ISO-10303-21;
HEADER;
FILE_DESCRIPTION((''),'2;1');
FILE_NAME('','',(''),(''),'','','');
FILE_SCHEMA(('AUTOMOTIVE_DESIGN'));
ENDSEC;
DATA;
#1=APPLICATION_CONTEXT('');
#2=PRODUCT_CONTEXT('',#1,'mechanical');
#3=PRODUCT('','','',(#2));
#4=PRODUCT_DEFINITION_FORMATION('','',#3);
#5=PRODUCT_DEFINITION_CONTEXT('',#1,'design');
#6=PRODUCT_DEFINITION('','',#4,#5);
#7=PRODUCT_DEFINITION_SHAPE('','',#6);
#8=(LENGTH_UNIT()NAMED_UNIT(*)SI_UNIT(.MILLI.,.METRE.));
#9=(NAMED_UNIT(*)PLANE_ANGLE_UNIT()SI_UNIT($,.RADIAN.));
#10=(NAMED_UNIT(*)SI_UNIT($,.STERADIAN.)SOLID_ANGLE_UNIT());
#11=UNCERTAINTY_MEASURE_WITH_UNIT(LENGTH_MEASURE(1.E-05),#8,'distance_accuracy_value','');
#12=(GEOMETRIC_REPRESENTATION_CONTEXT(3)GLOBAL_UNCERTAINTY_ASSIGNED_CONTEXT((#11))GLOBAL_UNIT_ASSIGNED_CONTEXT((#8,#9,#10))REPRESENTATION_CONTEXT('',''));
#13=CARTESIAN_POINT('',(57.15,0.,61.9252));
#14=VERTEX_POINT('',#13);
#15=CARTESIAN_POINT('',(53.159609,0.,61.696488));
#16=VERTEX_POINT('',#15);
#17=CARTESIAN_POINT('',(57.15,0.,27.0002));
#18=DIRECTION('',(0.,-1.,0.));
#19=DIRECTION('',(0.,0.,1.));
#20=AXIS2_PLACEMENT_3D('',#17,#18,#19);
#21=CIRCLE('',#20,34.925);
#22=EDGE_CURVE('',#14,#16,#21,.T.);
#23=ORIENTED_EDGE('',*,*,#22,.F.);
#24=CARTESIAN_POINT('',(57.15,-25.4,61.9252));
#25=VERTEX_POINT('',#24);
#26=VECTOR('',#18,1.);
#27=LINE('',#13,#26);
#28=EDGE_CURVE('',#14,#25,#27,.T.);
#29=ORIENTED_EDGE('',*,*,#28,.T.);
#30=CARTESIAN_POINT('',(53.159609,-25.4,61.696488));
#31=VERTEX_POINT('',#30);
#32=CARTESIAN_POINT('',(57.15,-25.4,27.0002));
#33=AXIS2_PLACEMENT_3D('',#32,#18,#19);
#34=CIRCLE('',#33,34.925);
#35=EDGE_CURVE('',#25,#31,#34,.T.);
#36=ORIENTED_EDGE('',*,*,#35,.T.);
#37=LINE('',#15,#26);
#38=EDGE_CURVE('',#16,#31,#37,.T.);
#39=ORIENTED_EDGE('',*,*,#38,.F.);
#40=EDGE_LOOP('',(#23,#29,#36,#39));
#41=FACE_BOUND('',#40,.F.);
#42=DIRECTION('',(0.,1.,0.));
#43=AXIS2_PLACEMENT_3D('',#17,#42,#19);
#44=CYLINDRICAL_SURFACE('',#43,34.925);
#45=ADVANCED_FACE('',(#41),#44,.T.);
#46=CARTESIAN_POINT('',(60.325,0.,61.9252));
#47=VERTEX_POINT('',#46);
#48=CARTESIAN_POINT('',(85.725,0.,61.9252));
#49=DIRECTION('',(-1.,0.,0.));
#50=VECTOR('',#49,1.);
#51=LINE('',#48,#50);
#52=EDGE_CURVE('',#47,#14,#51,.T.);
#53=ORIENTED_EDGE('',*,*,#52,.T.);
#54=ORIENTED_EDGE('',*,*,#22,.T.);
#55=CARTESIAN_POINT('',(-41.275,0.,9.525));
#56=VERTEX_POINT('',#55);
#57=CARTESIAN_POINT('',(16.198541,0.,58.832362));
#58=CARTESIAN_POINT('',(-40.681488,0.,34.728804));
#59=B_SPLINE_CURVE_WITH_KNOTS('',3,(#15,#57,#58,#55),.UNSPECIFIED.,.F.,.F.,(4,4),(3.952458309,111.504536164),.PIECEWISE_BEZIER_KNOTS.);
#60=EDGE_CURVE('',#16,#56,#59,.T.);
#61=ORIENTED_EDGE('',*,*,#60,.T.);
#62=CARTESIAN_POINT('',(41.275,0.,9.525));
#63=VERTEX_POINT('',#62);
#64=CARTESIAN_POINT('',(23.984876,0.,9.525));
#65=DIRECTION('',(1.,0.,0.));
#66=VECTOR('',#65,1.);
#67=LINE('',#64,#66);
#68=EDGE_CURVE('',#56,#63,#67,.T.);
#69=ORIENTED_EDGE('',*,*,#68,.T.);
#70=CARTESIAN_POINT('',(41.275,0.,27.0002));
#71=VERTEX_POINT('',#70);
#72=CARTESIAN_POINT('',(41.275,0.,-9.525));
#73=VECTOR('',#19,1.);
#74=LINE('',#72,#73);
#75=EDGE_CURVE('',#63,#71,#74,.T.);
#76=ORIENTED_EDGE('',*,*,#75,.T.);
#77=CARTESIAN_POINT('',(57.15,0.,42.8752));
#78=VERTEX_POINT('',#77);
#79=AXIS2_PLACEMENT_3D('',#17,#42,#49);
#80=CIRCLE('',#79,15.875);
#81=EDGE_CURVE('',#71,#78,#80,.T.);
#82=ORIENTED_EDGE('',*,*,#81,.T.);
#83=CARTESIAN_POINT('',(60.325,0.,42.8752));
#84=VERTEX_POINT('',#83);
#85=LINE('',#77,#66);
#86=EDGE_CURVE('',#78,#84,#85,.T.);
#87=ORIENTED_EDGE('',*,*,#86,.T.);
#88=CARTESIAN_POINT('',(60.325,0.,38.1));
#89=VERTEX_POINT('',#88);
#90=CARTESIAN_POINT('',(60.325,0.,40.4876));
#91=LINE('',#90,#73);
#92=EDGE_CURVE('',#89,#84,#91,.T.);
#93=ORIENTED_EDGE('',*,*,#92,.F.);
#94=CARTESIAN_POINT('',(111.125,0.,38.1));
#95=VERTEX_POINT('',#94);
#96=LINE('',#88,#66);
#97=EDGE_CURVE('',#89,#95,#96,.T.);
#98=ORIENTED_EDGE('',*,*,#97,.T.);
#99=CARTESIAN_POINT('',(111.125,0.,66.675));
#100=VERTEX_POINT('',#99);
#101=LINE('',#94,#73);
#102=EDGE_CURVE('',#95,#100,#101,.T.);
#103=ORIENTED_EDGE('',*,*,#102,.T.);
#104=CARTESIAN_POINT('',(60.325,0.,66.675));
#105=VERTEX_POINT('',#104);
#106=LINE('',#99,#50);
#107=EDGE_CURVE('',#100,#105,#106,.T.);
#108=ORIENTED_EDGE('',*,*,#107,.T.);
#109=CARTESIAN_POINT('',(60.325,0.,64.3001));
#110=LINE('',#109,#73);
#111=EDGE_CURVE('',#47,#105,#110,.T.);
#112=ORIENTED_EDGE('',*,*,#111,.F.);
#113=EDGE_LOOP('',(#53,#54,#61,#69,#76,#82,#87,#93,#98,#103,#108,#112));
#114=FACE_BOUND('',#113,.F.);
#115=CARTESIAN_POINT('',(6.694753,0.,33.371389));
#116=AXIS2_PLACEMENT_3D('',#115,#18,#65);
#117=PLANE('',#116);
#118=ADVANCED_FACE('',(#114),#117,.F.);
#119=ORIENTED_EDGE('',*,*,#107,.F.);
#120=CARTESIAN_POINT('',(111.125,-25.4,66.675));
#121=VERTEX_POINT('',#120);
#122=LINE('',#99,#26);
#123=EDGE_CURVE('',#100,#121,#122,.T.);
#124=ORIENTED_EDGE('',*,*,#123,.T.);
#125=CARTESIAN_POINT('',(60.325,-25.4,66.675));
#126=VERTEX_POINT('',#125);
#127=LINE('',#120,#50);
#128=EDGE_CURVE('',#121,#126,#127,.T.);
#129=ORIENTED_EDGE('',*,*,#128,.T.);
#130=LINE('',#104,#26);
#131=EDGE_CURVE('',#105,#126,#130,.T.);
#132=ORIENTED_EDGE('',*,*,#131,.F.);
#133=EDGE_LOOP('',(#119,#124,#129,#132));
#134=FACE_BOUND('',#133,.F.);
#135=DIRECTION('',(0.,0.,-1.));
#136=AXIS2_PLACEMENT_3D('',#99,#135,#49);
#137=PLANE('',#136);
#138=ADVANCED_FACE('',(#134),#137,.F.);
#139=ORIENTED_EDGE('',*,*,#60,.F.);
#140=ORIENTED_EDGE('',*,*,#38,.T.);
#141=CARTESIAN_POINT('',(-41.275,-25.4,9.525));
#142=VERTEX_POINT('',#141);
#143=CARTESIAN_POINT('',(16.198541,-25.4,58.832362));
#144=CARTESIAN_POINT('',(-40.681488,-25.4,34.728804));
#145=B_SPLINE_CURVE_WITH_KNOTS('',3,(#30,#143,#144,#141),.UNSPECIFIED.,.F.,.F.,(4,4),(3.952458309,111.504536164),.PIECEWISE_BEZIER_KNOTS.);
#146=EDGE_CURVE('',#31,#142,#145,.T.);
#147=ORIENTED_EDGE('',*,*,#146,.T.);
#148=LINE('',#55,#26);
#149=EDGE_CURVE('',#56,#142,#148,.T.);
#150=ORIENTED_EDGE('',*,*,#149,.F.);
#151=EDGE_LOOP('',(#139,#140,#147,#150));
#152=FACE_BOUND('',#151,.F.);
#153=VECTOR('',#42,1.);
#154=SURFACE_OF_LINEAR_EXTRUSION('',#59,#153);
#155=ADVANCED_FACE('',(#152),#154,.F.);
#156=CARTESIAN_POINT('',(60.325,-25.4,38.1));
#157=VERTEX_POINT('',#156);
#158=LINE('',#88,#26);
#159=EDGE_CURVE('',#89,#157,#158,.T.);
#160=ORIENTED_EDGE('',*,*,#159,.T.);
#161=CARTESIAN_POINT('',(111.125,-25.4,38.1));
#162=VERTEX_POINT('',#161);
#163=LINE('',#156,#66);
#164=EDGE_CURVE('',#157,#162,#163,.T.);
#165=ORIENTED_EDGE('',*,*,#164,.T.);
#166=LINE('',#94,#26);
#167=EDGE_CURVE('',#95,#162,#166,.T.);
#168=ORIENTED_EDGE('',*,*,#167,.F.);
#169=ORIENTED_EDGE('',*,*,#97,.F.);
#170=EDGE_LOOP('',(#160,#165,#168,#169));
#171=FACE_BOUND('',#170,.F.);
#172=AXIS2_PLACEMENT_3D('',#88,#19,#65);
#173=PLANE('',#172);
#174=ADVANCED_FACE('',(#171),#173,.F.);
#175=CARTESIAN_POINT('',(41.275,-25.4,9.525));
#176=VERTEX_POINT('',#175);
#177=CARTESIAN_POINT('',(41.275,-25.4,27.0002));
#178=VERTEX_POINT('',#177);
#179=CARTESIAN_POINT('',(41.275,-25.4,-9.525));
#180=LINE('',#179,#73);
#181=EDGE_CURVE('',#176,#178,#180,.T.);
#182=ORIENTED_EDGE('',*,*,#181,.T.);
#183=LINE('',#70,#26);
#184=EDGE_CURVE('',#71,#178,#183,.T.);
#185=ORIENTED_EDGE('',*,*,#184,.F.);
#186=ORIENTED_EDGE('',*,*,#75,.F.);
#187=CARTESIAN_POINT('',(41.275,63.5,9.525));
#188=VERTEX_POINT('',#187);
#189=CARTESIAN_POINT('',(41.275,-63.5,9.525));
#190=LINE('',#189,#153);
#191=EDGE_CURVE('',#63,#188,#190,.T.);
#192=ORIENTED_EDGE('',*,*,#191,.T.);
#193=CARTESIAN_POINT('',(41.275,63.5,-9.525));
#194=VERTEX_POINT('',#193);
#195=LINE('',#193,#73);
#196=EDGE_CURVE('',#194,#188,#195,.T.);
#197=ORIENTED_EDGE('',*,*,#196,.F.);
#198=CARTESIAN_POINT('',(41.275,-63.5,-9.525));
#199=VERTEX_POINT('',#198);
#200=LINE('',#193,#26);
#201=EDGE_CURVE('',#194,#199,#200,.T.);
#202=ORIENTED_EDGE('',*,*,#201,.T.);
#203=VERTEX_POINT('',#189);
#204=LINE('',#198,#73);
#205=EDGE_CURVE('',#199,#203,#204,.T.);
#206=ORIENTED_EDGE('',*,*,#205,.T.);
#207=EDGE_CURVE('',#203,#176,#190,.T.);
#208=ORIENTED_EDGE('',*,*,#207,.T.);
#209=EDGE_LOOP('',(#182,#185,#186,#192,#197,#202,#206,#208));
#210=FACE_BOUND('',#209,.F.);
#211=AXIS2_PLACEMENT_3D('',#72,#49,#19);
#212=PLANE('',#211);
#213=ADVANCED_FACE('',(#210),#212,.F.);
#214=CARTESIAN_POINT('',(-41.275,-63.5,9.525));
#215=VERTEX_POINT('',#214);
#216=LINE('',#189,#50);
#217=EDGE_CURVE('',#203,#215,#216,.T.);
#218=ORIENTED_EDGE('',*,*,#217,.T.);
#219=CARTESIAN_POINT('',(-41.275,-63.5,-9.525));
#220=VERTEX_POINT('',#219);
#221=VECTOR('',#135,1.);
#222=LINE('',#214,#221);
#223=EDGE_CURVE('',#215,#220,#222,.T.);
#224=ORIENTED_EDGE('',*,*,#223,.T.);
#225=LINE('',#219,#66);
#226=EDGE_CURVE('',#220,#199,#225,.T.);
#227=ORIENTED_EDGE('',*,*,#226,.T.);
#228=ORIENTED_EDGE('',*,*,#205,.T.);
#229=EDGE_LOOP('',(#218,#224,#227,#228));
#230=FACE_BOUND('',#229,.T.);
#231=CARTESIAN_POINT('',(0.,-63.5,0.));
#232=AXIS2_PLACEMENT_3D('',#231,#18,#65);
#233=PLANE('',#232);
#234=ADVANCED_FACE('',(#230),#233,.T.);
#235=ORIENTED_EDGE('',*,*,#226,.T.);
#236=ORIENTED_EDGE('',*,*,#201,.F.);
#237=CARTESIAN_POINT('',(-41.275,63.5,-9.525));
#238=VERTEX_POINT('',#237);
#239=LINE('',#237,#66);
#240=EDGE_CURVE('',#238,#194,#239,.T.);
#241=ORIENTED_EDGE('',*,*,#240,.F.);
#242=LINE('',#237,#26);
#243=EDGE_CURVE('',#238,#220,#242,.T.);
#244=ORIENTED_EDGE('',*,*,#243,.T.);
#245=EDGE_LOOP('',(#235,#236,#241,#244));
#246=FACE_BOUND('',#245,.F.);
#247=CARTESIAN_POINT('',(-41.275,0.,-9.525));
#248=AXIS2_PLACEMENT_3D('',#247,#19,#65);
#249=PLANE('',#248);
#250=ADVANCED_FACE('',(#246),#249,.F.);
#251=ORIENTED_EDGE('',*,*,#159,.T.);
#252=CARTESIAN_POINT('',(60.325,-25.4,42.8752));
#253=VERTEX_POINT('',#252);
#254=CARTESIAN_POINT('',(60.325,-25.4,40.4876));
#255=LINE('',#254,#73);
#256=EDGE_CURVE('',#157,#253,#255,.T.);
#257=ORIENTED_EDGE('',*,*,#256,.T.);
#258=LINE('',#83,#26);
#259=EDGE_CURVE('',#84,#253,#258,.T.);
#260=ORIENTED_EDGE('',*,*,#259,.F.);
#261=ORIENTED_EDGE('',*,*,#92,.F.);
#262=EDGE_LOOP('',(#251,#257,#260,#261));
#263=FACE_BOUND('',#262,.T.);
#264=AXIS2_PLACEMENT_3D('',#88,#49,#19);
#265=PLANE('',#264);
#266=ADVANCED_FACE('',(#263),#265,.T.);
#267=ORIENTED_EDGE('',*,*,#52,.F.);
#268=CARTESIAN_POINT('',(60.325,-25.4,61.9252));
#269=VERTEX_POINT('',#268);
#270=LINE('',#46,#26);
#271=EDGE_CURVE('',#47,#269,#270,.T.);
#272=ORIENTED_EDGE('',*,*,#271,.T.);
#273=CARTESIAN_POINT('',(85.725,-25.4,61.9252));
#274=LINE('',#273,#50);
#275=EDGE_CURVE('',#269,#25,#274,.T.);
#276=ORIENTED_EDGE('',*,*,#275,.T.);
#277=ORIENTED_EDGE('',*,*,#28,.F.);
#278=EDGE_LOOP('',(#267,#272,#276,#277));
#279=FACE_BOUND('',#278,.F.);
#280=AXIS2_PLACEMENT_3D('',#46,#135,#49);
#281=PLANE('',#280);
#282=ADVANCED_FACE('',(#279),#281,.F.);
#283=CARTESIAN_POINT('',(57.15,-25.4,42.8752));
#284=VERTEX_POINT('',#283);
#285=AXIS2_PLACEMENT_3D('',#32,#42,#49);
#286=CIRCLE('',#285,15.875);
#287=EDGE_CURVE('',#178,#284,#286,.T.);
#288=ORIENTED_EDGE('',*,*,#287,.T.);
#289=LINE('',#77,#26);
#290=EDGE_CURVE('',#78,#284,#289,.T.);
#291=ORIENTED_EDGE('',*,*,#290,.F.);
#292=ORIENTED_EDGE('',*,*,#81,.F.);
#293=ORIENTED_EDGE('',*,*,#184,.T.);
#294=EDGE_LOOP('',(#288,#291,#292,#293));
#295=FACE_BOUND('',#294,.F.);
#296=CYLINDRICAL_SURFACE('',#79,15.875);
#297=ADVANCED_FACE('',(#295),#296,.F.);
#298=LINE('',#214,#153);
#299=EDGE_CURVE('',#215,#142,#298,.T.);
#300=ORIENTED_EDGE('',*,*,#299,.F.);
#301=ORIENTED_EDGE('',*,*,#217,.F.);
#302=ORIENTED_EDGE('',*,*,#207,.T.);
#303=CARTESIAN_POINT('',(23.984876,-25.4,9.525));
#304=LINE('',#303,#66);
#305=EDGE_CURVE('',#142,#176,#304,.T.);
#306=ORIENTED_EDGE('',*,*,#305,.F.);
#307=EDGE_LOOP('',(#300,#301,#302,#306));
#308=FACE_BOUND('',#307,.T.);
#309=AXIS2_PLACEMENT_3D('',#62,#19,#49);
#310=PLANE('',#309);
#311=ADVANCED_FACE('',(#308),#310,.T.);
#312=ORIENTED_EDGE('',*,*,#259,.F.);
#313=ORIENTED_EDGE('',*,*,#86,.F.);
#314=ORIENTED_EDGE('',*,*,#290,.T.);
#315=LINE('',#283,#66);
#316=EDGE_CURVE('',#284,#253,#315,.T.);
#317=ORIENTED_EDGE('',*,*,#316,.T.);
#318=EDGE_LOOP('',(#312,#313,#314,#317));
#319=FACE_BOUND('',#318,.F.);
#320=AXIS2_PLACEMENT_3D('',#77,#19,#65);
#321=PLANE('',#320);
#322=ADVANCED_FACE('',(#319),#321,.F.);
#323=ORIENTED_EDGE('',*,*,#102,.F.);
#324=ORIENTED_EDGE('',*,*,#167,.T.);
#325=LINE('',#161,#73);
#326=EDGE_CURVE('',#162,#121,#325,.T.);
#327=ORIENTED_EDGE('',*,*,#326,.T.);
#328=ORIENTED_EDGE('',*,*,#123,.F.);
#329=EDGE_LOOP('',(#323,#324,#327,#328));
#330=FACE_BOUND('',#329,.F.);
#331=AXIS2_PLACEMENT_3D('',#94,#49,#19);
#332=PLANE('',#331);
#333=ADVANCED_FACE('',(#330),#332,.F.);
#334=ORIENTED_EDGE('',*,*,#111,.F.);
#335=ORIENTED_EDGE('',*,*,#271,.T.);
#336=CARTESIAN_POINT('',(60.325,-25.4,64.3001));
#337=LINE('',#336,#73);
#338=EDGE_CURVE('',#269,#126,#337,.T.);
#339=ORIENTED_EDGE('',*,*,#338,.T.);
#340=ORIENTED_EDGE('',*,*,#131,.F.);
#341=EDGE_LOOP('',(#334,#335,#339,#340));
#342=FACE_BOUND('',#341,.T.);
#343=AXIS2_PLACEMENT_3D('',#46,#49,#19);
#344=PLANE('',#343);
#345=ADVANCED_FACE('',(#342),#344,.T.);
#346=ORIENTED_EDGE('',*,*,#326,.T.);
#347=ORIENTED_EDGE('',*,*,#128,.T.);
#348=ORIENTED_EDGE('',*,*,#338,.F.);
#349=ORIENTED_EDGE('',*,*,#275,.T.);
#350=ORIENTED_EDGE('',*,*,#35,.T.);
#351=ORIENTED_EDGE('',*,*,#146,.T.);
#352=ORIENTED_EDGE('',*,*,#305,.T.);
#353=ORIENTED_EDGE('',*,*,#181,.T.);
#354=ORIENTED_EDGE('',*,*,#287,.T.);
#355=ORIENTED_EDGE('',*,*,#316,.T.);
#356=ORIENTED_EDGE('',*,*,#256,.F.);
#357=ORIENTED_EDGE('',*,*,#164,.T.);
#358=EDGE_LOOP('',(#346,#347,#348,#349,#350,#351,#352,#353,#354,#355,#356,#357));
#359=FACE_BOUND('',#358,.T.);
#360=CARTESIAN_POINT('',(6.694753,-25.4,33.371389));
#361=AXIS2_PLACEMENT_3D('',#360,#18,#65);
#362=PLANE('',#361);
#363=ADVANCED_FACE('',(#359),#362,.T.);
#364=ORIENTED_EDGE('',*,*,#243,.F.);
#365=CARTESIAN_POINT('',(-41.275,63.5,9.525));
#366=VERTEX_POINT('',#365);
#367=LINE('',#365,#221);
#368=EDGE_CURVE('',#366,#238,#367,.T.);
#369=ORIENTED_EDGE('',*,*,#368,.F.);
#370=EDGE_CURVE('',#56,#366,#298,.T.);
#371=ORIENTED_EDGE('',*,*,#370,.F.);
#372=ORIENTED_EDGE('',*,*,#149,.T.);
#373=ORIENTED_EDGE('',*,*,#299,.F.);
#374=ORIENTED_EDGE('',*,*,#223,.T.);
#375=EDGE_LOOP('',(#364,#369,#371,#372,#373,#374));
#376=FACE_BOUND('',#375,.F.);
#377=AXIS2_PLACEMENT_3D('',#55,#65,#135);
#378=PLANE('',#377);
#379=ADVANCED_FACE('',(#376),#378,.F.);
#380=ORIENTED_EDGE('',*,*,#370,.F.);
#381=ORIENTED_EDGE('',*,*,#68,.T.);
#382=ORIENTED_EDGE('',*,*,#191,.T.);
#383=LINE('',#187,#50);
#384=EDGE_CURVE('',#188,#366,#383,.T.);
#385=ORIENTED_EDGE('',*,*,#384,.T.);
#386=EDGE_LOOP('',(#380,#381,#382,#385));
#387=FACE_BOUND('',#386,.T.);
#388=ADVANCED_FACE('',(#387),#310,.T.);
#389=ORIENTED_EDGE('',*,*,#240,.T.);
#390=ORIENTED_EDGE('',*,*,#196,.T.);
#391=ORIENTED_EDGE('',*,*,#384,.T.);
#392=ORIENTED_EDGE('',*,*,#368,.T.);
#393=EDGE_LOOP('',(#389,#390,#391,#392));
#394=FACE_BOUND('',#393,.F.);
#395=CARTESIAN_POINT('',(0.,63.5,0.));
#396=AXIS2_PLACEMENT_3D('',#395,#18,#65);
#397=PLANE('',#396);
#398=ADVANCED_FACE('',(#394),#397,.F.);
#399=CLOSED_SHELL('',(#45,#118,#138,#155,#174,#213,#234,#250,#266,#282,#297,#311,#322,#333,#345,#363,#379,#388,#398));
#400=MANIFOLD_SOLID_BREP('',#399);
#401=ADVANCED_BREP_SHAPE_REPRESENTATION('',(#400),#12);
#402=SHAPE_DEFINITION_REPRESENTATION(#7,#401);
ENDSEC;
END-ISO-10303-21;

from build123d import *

# Parameters (mm, degrees)
F1_DEPTH = 63.5
F0_W     = 25.4
F0_H     = 19.05
F0_H_2   = 4.7498
F0_H_3   = 4.7752
F2_DEPTH = 25.4


with BuildPart() as f1:
    # F0 (on Front) → F1 (new body, symmetric)
    with BuildSketch(Plane.XZ):
        Polygon((22.225, 9.525), (-41.275, 9.525), (-41.275, -9.525), (41.275, -9.525), (41.275, 9.525), align=None)
    extrude(amount=F1_DEPTH, both=True)

    # F0 (on Front) → F2 (join)
    with BuildSketch(Plane.XZ):
        with BuildLine():
            add(Edge.make_bspline(
                [(53.1596094472, 61.6964881046), (16.1985409417, 58.8323622572), (-40.681488346, 34.7288044556), (-41.275, 9.525)],
                knots=[3.9524583094, 3.9524583094, 3.9524583094, 3.9524583094, 111.5045361635, 111.5045361635, 111.5045361635, 111.5045361635], degree=3))
            Line((-41.275, 9.525), (22.225, 9.525))
            Line((22.225, 9.525), (22.225, 27.0002))
            ThreePointArc((22.225, 27.0002), (31.0816282149, 50.242308714), (53.1596094472, 61.6964881046))
        make_face()
        Polygon((22.225, 9.525), (-41.275, 9.525), (-41.275, -9.525), (41.275, -9.525), (41.275, 9.525), align=None)
        with BuildLine():
            Line((22.225, 27.0002), (22.225, 9.525))
            Line((22.225, 9.525), (41.275, 9.525))
            Line((41.275, 9.525), (41.275, 27.0002))
            ThreePointArc((41.275, 27.0002), (45.9246798487, 38.2255201513), (57.15, 42.8752))
            Line((57.15, 42.8752), (60.325, 42.8752))
            Line((60.325, 42.8752), (60.325, 61.9252))
            Line((60.325, 61.9252), (57.15, 61.9252))
            add(Edge.make_bspline(
                [(57.15, 61.9252), (55.849291913, 61.878313053), (54.5179010326, 61.8017425844), (53.1596094472, 61.6964881046)],
                knots=[0, 0, 0, 0, 3.9524583094, 3.9524583094, 3.9524583094, 3.9524583094], degree=3))
            ThreePointArc((53.1596094472, 61.6964881046), (31.0816282149, 50.242308714), (22.225, 27.0002))
        make_face()
        with BuildLine():
            ThreePointArc((57.15, 61.9252), (55.151530217, 61.8679751445), (53.1596094472, 61.6964881046))
            add(Edge.make_bspline(
                [(57.15, 61.9252), (55.849291913, 61.878313053), (54.5179010326, 61.8017425844), (53.1596094472, 61.6964881046)],
                knots=[0, 0, 0, 0, 3.9524583094, 3.9524583094, 3.9524583094, 3.9524583094], degree=3))
        make_face()
        with Locations((73.025, 52.4002)):
            Rectangle(F0_W, F0_H)
        with Locations((73.025, 64.3001)):
            Rectangle(F0_W, F0_H_2)
        with Locations((73.025, 40.4876)):
            Rectangle(F0_W, F0_H_3)
        Polygon((85.725, 66.675), (85.725, 61.9252), (85.725, 42.8752), (85.725, 38.1), (111.125, 38.1), (111.125, 66.675), align=None)
    extrude(amount=F2_DEPTH)


solid = f1.part
